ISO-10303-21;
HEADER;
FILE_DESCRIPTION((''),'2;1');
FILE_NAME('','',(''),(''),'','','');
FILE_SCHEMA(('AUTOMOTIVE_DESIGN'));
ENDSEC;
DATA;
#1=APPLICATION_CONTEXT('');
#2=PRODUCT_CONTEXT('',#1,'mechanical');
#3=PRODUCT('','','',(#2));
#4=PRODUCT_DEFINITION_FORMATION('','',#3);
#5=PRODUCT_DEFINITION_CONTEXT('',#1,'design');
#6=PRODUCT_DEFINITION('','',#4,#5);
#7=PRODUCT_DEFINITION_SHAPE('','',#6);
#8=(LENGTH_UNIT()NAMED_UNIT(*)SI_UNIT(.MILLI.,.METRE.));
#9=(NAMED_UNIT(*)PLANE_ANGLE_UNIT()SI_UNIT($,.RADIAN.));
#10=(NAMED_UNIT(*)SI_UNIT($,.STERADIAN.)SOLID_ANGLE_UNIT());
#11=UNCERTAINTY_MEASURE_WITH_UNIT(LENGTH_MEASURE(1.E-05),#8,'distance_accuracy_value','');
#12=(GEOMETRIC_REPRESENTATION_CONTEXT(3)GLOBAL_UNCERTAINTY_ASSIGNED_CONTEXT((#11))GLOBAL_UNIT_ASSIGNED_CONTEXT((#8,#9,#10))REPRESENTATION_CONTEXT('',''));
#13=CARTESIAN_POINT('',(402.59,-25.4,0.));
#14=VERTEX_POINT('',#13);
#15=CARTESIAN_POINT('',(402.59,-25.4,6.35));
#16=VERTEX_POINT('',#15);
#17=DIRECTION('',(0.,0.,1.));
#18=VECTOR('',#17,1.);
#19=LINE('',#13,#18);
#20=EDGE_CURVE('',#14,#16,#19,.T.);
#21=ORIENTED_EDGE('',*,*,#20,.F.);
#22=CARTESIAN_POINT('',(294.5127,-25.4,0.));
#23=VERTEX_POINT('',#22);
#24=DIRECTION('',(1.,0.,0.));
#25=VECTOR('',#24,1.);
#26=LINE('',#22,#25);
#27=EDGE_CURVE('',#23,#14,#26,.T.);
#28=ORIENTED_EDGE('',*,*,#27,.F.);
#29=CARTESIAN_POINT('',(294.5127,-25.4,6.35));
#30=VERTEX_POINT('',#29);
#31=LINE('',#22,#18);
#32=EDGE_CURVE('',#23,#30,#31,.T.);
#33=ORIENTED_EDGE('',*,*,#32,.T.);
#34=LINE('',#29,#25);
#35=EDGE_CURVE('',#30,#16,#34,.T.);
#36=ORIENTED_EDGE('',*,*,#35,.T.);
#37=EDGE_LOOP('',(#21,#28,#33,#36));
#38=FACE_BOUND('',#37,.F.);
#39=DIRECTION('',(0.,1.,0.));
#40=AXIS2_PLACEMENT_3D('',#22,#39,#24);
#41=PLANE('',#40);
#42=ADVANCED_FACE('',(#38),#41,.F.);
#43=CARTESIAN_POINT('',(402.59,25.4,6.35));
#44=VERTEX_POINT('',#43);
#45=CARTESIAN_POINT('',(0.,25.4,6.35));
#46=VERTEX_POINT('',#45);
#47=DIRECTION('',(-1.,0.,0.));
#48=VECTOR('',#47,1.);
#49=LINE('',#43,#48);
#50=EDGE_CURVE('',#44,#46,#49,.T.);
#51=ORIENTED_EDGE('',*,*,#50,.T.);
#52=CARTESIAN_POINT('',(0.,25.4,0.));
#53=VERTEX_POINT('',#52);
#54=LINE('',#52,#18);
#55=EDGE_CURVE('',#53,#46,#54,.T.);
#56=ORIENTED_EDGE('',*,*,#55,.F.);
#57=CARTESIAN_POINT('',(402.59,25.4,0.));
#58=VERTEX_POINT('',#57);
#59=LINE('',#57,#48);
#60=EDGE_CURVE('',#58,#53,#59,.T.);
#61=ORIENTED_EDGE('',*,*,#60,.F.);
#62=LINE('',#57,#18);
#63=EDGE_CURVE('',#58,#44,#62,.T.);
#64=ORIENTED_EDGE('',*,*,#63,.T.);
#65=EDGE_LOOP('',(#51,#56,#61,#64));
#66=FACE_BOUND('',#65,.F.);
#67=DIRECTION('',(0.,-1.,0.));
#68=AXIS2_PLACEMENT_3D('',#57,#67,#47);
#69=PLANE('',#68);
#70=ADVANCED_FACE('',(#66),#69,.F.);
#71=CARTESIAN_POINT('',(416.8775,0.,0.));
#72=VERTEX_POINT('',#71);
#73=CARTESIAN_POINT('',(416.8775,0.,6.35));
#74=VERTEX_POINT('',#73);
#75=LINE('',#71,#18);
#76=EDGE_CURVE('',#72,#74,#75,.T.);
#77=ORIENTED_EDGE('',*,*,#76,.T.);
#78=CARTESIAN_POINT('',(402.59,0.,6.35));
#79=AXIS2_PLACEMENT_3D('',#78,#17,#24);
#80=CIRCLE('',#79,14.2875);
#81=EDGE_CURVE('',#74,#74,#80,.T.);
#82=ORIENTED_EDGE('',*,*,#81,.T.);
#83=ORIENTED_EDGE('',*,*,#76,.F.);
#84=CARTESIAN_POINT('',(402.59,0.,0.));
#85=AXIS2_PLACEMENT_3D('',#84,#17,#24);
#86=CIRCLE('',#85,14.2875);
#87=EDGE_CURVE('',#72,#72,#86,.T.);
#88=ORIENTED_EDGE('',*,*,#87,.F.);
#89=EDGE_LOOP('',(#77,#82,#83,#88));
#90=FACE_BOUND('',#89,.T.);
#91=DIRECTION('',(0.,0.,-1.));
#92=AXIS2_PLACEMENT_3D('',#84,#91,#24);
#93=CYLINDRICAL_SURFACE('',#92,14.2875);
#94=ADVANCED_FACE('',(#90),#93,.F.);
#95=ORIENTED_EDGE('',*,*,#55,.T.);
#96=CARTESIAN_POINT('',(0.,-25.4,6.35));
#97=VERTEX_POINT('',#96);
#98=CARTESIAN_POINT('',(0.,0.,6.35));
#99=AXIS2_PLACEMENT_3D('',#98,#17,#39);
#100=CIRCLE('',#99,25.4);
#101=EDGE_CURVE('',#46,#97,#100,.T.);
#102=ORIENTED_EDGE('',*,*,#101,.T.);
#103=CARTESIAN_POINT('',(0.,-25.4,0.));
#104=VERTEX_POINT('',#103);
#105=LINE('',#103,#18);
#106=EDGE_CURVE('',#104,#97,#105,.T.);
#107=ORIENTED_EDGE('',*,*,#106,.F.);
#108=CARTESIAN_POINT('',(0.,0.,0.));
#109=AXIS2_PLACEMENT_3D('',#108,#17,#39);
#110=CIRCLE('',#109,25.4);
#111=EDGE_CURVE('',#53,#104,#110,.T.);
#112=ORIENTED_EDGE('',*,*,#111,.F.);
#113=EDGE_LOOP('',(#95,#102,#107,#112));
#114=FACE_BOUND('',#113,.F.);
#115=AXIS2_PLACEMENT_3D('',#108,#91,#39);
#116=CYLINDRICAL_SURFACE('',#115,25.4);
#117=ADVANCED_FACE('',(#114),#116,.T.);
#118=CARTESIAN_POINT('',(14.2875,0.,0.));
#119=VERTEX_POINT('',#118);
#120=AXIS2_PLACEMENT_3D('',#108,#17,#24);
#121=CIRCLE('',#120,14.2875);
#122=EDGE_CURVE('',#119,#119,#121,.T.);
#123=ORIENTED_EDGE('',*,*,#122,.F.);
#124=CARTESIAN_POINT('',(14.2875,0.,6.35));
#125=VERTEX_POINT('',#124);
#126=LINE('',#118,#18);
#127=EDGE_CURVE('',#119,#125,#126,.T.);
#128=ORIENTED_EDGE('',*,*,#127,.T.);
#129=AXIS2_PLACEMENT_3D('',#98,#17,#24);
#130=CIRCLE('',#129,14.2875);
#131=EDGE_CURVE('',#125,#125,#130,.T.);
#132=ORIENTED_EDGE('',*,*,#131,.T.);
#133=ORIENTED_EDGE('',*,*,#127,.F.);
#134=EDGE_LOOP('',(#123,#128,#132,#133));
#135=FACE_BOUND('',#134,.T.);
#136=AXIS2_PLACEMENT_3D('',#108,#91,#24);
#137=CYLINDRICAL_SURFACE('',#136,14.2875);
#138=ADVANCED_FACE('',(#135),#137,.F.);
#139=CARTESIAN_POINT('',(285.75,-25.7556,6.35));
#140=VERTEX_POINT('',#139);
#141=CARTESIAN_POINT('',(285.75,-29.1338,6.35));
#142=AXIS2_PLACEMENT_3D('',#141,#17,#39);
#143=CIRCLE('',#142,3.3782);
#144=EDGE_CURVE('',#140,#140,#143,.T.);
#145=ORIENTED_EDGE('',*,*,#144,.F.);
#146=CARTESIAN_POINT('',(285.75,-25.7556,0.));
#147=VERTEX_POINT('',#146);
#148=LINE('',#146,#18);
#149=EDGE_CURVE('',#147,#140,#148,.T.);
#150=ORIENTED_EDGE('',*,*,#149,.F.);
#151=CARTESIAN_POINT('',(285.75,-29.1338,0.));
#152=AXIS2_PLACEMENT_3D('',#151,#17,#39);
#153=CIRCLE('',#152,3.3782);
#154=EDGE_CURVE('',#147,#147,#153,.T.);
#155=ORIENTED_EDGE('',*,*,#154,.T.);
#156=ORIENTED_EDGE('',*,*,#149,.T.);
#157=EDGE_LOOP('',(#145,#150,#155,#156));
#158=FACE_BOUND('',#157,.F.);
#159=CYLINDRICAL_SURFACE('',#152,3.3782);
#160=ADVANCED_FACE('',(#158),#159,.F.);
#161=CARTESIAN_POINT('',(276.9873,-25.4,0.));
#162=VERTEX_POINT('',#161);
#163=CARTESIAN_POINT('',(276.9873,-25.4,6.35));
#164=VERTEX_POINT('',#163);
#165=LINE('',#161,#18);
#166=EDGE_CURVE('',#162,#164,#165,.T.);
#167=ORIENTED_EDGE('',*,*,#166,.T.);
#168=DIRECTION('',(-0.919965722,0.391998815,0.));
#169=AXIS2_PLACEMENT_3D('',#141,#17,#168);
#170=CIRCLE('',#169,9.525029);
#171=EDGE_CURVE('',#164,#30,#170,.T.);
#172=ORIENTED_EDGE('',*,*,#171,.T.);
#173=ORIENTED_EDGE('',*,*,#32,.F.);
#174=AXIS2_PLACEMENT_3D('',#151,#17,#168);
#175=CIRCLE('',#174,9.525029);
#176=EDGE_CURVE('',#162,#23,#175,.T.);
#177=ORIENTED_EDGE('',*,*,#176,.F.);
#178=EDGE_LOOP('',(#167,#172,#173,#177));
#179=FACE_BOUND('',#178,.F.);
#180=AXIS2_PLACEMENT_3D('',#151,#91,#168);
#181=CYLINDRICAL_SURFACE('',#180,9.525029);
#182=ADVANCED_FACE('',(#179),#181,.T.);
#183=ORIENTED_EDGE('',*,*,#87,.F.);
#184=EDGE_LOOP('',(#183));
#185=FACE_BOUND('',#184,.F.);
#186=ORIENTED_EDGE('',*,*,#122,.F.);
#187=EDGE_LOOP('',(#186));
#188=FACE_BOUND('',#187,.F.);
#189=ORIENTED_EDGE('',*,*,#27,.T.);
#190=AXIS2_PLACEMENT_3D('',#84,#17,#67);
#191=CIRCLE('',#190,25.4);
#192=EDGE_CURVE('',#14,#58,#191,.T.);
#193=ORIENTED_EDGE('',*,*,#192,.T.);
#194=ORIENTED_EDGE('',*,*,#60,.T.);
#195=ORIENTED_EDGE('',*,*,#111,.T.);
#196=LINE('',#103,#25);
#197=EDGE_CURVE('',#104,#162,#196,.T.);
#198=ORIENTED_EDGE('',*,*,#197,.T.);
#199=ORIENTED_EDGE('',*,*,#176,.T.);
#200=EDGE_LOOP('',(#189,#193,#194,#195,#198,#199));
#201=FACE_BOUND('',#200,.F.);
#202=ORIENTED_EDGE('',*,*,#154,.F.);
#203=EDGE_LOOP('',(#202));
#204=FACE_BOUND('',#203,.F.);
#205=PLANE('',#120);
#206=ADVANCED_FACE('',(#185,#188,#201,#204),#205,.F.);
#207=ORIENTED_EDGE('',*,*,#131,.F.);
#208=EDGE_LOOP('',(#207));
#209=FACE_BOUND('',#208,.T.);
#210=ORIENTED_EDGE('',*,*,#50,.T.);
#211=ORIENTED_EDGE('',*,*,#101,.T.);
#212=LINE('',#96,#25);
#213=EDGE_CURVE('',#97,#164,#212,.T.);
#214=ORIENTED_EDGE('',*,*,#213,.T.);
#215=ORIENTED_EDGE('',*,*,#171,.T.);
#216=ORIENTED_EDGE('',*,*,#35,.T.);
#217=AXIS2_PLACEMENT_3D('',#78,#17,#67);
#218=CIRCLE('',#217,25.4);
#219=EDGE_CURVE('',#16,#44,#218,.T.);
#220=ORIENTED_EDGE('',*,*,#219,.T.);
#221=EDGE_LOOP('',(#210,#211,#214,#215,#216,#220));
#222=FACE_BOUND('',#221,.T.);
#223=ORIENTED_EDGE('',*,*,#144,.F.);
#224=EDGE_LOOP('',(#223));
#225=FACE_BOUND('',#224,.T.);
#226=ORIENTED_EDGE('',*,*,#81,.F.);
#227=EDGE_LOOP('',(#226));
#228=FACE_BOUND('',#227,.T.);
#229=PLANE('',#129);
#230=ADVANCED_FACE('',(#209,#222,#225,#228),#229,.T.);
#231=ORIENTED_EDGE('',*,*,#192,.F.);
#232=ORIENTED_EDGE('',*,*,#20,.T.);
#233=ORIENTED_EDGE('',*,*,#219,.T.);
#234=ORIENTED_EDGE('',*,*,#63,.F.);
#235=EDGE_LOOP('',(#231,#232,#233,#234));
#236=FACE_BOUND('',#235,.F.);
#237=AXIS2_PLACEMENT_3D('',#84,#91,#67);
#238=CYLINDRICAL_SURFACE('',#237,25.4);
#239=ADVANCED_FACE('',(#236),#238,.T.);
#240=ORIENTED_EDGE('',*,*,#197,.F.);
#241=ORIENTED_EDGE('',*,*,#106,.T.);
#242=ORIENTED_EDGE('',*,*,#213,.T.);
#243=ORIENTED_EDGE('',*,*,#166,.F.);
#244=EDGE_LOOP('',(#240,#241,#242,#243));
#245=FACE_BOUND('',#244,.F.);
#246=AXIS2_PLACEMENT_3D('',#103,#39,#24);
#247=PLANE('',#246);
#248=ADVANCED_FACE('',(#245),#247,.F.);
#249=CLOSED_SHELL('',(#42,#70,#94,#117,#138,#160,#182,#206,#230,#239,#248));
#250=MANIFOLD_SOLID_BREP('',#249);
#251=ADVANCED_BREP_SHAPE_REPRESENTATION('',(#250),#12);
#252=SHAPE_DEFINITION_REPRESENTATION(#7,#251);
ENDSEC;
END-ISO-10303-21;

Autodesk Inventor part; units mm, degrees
ref_plane "YZ Plane" through (0, 0, 0) normal (1, 0, 0) x (0, 1, 0)
ref_plane "XZ Plane" through (0, 0, 0) normal (0, 1, 0) x (-1, 0, 0)
ref_plane "XY Plane" through (0, 0, 0) normal (0, 0, 1) x (1, 0, 0)
sketch "Sketch1" plane through (0, 0, 0) normal (0, 0, 1) x (1, 0, 0)
  circle A0 centre (0, 0) radius 14.2875
  circle A1 centre (402.59, 0) radius 14.2875
  line L0 (0, 0) -> (402.59, 0) construction
  line L1 (0, 0) -> (402.59, 0) construction
  line L2 (402.59, 25.4) -> (0, 25.4)
  arc A2 (0, 25.4) -> (0, -25.4) centre (0, 0) ccw
  arc A3 (402.59, -25.4) -> (402.59, 25.4) centre (402.59, 0) ccw
  arc A4 (276.9873, -25.4) -> (294.5127, -25.4) centre (285.75, -29.1338) ccw
  line L3 (0, -25.4) -> (276.9873, -25.4)
  line L4 (294.5127, -25.4) -> (402.59, -25.4)
  point P0 (201.295, 0)
  dimension "d0" = 28.575
  dimension "d1" = 402.59
  dimension "d2" = 50.8
  dimension "d3" = 285.75
  dimension "d15" = 29.1338
  dimension "d16" = 19.05
extrude "Extrusion1" add sketch "Sketch1" along normal blind 6.35
hole "Hole1" at (285.75, -29.1338, 0) direction (0, 0, 1) diameter 6.7564 end through all clearance for "Flat Head Machine Screw (82)" size "1/4" standard "Ansi Unified Screw Threads"
properties part number "GP4-003" material "Aluminum 6061"
